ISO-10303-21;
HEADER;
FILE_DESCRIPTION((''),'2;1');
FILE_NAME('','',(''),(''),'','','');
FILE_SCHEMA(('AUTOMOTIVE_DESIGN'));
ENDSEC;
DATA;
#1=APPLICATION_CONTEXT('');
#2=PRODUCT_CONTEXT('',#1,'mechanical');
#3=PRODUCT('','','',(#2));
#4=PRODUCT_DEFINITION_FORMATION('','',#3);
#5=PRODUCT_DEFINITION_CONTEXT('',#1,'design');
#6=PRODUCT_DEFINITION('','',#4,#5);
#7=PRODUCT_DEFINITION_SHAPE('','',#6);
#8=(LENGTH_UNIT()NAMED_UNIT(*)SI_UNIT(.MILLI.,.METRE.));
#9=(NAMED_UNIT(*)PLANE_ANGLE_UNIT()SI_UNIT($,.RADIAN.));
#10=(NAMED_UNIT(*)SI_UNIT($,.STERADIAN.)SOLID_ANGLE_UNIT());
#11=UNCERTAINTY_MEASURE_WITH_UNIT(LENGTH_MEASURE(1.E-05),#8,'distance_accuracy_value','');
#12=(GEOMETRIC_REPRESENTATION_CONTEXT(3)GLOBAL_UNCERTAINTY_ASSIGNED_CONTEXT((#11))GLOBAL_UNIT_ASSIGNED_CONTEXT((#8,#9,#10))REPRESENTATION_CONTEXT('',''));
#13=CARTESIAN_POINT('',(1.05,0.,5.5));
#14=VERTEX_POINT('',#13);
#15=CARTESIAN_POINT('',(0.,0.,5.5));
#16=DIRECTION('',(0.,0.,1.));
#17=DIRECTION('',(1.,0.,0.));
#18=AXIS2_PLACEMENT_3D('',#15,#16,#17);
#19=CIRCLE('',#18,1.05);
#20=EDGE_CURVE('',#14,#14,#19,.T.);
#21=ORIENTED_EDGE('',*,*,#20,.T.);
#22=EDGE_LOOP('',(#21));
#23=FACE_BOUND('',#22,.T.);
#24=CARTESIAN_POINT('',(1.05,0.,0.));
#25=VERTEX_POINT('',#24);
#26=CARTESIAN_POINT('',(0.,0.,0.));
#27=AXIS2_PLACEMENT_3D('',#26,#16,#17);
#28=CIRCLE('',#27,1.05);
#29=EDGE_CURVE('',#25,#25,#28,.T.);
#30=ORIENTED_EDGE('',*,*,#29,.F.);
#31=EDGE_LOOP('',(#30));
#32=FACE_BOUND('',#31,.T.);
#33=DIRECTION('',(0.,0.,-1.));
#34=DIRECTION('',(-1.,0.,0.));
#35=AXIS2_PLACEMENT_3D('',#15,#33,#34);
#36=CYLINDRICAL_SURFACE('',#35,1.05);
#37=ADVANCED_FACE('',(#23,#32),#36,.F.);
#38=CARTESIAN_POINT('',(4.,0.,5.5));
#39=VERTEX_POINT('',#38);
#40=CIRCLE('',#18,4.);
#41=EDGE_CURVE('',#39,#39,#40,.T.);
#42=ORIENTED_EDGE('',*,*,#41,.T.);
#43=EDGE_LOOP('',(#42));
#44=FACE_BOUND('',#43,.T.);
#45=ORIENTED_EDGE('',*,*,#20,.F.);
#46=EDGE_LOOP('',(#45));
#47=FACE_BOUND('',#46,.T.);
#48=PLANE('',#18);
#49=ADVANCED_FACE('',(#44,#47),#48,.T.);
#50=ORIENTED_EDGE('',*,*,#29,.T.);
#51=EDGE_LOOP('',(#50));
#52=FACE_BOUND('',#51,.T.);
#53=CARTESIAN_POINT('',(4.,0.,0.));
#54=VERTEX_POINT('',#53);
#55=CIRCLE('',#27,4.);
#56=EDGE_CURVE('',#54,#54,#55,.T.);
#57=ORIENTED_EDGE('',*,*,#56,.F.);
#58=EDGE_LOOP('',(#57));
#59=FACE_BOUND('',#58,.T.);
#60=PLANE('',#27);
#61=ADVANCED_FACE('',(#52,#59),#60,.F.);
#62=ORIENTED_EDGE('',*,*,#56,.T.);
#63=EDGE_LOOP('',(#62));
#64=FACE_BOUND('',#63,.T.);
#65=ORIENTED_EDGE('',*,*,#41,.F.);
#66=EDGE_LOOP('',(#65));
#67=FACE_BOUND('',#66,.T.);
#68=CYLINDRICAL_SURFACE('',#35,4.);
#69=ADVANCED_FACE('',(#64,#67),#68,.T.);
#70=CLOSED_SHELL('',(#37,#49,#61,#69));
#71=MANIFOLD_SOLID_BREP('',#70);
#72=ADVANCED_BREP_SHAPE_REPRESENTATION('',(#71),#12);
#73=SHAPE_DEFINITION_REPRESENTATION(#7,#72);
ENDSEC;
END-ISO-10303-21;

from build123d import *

# Parameters (mm, degrees)
SKETCH_1_R      = 4
SKETCH_1_R_2    = 1.05
EXTRUDE_1_DEPTH = 5.5


with BuildPart() as part:
    # ｽｹｯﾁ1 → ﾎﾞｽ - 押し出し1 (new body)
    with BuildSketch(Plane.XY):
        Circle(SKETCH_1_R)
        Circle(SKETCH_1_R_2, mode=Mode.SUBTRACT)
    extrude(amount=EXTRUDE_1_DEPTH)


solid = part.part
